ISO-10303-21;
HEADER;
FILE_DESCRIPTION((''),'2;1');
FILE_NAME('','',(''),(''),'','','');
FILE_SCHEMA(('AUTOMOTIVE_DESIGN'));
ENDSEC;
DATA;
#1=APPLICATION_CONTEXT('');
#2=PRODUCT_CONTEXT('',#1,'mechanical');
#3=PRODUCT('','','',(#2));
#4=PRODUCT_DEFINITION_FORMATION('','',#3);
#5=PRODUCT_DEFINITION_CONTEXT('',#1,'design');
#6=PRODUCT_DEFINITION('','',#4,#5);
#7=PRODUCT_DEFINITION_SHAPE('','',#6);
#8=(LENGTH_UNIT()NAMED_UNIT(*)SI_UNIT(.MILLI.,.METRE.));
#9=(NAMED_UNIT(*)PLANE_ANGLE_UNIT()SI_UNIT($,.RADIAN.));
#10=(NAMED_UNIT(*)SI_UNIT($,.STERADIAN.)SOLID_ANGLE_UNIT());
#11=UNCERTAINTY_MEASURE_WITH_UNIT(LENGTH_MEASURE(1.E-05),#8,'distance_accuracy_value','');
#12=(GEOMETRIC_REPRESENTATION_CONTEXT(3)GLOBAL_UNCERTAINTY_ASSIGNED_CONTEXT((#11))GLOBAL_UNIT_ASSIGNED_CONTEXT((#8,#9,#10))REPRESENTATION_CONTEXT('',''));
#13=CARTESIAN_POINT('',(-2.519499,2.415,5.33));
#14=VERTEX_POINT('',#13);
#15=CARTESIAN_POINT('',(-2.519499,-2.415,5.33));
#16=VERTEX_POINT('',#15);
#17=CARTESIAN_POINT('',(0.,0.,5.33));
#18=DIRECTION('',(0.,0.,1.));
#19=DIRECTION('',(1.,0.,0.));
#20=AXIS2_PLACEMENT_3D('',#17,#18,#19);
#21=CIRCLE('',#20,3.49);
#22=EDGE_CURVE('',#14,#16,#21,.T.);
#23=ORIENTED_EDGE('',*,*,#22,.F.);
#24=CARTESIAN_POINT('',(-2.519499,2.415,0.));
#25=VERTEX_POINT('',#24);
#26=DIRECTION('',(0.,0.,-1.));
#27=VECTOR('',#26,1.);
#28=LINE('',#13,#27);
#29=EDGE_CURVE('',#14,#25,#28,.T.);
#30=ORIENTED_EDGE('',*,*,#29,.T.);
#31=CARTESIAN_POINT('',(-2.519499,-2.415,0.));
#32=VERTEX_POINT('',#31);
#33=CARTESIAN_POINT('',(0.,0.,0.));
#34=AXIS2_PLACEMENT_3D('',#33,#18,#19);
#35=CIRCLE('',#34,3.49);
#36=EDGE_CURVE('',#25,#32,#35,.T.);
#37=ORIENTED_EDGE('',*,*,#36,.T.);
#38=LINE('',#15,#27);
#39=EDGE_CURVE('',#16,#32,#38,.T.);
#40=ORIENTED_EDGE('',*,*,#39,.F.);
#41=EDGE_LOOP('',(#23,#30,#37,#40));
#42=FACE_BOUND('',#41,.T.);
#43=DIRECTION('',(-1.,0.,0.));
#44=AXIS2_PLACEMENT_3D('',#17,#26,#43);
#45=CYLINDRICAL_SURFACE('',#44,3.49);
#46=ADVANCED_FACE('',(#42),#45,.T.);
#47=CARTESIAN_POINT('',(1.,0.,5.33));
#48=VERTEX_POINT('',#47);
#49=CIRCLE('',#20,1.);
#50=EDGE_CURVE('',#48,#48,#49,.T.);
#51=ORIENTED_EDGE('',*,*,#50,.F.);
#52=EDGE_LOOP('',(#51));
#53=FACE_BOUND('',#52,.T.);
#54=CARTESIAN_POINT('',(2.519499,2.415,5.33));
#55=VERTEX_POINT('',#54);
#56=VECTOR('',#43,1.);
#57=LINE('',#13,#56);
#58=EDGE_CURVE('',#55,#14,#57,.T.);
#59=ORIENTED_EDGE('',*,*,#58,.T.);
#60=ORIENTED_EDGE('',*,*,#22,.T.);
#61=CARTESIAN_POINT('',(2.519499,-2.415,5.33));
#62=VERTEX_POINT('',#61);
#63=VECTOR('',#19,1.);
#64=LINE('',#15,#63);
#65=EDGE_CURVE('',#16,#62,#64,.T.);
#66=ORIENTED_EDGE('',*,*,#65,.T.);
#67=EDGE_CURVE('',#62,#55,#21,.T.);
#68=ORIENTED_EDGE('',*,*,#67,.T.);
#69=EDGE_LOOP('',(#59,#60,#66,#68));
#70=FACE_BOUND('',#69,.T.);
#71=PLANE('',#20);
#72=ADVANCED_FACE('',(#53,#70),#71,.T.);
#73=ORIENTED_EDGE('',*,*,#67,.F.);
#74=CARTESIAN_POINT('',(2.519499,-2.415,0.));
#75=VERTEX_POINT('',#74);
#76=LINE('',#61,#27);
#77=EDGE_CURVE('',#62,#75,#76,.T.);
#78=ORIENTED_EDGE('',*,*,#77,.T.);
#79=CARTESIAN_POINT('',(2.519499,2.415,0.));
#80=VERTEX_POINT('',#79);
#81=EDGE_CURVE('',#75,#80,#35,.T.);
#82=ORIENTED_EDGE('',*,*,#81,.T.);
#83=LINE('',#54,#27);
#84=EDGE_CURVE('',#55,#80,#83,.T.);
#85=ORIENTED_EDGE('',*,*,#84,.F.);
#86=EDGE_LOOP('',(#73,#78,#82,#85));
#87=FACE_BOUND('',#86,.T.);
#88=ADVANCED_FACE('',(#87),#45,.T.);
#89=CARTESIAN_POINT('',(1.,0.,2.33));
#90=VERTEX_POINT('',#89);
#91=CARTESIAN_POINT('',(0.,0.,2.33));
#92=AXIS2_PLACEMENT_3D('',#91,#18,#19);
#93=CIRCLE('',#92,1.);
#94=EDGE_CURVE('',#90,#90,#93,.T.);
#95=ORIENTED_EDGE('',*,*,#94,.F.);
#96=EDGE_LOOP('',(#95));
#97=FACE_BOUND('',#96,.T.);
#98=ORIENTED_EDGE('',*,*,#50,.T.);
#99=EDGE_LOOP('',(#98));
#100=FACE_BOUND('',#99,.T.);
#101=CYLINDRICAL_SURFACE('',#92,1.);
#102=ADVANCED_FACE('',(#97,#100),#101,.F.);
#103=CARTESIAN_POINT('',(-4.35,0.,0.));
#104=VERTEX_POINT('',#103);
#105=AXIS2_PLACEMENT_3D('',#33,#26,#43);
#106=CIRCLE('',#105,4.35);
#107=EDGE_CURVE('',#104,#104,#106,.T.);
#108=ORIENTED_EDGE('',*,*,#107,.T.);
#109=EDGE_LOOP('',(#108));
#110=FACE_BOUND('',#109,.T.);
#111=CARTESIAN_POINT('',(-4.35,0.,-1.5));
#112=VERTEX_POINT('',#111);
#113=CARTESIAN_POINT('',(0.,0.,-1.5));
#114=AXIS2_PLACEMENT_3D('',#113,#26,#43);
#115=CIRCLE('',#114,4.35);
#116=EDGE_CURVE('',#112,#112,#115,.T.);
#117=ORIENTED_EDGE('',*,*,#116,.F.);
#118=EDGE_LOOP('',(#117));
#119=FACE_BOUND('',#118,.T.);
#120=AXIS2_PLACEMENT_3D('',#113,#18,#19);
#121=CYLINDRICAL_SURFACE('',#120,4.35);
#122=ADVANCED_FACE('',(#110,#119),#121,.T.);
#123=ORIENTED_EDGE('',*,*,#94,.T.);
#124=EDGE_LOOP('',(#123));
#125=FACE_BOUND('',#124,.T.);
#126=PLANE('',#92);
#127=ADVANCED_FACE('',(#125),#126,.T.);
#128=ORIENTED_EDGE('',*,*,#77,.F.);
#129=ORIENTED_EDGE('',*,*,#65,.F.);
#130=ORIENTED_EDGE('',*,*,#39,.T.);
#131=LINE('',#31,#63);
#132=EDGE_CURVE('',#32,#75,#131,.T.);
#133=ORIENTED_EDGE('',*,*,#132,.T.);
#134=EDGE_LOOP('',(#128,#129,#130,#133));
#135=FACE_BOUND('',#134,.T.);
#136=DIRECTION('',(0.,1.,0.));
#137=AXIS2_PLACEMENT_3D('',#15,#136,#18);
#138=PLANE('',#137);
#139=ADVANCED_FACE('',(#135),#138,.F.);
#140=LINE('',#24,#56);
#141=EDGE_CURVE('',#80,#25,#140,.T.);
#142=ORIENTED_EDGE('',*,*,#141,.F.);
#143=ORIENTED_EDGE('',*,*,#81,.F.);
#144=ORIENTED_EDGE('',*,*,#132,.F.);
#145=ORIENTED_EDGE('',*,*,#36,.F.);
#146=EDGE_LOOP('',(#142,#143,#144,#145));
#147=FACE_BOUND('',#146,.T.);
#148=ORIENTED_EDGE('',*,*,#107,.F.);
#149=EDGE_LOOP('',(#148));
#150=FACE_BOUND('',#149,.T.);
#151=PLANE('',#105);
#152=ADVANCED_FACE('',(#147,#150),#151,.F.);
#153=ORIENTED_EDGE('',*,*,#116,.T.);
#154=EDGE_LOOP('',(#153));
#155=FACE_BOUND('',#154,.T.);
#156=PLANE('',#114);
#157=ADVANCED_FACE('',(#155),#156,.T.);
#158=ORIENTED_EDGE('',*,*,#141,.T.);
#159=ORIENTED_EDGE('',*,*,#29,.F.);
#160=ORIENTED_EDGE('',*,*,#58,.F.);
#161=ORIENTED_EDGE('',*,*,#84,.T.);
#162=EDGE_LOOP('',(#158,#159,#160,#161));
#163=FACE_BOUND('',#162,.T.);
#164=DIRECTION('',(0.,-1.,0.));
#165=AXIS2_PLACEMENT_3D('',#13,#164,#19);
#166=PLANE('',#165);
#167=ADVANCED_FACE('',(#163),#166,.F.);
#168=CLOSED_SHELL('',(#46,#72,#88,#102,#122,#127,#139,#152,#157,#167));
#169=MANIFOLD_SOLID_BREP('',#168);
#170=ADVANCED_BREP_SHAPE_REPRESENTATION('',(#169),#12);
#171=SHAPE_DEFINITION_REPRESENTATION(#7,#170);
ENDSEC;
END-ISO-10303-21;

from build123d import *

# Parameters (mm, degrees)
BOSS_EXTRU_1_DEPTH      = 5.33
ESQUISSE2_R             = 1
ENL_V_MAT_EXTRU_1_DEPTH = 3
ESQUISSE3_R             = 4.35
BOSS_EXTRU_2_DEPTH      = 1.5


with BuildPart() as part:
    # Esquisse1 → Boss.-Extru.1 (new body)
    with BuildSketch(Plane.XY):
        with BuildLine():
            Line((-2.519498958, 2.415), (2.519498958, 2.415))
            ThreePointArc((2.519498958, 2.415), (3.49, 0), (2.519498958, -2.415))
            Line((2.519498958, -2.415), (-2.519498958, -2.415))
            ThreePointArc((-2.519498958, -2.415), (-3.49, 0), (-2.519498958, 2.415))
        make_face()
    extrude(amount=BOSS_EXTRU_1_DEPTH)

    # Esquisse2 → Enlèv. mat.-Extru.1 (cut)
    with BuildSketch(Plane.XY.offset(5.33)):
        Circle(ESQUISSE2_R)
    extrude(amount=-ENL_V_MAT_EXTRU_1_DEPTH, mode=Mode.SUBTRACT)

    # Esquisse3 → Boss.-Extru.2 (add)
    with BuildSketch(Plane(origin=(0, 0, 0), x_dir=(-1, 0, 0), z_dir=(0, 0, -1))):
        Circle(ESQUISSE3_R)
    extrude(amount=BOSS_EXTRU_2_DEPTH)


solid = part.part
